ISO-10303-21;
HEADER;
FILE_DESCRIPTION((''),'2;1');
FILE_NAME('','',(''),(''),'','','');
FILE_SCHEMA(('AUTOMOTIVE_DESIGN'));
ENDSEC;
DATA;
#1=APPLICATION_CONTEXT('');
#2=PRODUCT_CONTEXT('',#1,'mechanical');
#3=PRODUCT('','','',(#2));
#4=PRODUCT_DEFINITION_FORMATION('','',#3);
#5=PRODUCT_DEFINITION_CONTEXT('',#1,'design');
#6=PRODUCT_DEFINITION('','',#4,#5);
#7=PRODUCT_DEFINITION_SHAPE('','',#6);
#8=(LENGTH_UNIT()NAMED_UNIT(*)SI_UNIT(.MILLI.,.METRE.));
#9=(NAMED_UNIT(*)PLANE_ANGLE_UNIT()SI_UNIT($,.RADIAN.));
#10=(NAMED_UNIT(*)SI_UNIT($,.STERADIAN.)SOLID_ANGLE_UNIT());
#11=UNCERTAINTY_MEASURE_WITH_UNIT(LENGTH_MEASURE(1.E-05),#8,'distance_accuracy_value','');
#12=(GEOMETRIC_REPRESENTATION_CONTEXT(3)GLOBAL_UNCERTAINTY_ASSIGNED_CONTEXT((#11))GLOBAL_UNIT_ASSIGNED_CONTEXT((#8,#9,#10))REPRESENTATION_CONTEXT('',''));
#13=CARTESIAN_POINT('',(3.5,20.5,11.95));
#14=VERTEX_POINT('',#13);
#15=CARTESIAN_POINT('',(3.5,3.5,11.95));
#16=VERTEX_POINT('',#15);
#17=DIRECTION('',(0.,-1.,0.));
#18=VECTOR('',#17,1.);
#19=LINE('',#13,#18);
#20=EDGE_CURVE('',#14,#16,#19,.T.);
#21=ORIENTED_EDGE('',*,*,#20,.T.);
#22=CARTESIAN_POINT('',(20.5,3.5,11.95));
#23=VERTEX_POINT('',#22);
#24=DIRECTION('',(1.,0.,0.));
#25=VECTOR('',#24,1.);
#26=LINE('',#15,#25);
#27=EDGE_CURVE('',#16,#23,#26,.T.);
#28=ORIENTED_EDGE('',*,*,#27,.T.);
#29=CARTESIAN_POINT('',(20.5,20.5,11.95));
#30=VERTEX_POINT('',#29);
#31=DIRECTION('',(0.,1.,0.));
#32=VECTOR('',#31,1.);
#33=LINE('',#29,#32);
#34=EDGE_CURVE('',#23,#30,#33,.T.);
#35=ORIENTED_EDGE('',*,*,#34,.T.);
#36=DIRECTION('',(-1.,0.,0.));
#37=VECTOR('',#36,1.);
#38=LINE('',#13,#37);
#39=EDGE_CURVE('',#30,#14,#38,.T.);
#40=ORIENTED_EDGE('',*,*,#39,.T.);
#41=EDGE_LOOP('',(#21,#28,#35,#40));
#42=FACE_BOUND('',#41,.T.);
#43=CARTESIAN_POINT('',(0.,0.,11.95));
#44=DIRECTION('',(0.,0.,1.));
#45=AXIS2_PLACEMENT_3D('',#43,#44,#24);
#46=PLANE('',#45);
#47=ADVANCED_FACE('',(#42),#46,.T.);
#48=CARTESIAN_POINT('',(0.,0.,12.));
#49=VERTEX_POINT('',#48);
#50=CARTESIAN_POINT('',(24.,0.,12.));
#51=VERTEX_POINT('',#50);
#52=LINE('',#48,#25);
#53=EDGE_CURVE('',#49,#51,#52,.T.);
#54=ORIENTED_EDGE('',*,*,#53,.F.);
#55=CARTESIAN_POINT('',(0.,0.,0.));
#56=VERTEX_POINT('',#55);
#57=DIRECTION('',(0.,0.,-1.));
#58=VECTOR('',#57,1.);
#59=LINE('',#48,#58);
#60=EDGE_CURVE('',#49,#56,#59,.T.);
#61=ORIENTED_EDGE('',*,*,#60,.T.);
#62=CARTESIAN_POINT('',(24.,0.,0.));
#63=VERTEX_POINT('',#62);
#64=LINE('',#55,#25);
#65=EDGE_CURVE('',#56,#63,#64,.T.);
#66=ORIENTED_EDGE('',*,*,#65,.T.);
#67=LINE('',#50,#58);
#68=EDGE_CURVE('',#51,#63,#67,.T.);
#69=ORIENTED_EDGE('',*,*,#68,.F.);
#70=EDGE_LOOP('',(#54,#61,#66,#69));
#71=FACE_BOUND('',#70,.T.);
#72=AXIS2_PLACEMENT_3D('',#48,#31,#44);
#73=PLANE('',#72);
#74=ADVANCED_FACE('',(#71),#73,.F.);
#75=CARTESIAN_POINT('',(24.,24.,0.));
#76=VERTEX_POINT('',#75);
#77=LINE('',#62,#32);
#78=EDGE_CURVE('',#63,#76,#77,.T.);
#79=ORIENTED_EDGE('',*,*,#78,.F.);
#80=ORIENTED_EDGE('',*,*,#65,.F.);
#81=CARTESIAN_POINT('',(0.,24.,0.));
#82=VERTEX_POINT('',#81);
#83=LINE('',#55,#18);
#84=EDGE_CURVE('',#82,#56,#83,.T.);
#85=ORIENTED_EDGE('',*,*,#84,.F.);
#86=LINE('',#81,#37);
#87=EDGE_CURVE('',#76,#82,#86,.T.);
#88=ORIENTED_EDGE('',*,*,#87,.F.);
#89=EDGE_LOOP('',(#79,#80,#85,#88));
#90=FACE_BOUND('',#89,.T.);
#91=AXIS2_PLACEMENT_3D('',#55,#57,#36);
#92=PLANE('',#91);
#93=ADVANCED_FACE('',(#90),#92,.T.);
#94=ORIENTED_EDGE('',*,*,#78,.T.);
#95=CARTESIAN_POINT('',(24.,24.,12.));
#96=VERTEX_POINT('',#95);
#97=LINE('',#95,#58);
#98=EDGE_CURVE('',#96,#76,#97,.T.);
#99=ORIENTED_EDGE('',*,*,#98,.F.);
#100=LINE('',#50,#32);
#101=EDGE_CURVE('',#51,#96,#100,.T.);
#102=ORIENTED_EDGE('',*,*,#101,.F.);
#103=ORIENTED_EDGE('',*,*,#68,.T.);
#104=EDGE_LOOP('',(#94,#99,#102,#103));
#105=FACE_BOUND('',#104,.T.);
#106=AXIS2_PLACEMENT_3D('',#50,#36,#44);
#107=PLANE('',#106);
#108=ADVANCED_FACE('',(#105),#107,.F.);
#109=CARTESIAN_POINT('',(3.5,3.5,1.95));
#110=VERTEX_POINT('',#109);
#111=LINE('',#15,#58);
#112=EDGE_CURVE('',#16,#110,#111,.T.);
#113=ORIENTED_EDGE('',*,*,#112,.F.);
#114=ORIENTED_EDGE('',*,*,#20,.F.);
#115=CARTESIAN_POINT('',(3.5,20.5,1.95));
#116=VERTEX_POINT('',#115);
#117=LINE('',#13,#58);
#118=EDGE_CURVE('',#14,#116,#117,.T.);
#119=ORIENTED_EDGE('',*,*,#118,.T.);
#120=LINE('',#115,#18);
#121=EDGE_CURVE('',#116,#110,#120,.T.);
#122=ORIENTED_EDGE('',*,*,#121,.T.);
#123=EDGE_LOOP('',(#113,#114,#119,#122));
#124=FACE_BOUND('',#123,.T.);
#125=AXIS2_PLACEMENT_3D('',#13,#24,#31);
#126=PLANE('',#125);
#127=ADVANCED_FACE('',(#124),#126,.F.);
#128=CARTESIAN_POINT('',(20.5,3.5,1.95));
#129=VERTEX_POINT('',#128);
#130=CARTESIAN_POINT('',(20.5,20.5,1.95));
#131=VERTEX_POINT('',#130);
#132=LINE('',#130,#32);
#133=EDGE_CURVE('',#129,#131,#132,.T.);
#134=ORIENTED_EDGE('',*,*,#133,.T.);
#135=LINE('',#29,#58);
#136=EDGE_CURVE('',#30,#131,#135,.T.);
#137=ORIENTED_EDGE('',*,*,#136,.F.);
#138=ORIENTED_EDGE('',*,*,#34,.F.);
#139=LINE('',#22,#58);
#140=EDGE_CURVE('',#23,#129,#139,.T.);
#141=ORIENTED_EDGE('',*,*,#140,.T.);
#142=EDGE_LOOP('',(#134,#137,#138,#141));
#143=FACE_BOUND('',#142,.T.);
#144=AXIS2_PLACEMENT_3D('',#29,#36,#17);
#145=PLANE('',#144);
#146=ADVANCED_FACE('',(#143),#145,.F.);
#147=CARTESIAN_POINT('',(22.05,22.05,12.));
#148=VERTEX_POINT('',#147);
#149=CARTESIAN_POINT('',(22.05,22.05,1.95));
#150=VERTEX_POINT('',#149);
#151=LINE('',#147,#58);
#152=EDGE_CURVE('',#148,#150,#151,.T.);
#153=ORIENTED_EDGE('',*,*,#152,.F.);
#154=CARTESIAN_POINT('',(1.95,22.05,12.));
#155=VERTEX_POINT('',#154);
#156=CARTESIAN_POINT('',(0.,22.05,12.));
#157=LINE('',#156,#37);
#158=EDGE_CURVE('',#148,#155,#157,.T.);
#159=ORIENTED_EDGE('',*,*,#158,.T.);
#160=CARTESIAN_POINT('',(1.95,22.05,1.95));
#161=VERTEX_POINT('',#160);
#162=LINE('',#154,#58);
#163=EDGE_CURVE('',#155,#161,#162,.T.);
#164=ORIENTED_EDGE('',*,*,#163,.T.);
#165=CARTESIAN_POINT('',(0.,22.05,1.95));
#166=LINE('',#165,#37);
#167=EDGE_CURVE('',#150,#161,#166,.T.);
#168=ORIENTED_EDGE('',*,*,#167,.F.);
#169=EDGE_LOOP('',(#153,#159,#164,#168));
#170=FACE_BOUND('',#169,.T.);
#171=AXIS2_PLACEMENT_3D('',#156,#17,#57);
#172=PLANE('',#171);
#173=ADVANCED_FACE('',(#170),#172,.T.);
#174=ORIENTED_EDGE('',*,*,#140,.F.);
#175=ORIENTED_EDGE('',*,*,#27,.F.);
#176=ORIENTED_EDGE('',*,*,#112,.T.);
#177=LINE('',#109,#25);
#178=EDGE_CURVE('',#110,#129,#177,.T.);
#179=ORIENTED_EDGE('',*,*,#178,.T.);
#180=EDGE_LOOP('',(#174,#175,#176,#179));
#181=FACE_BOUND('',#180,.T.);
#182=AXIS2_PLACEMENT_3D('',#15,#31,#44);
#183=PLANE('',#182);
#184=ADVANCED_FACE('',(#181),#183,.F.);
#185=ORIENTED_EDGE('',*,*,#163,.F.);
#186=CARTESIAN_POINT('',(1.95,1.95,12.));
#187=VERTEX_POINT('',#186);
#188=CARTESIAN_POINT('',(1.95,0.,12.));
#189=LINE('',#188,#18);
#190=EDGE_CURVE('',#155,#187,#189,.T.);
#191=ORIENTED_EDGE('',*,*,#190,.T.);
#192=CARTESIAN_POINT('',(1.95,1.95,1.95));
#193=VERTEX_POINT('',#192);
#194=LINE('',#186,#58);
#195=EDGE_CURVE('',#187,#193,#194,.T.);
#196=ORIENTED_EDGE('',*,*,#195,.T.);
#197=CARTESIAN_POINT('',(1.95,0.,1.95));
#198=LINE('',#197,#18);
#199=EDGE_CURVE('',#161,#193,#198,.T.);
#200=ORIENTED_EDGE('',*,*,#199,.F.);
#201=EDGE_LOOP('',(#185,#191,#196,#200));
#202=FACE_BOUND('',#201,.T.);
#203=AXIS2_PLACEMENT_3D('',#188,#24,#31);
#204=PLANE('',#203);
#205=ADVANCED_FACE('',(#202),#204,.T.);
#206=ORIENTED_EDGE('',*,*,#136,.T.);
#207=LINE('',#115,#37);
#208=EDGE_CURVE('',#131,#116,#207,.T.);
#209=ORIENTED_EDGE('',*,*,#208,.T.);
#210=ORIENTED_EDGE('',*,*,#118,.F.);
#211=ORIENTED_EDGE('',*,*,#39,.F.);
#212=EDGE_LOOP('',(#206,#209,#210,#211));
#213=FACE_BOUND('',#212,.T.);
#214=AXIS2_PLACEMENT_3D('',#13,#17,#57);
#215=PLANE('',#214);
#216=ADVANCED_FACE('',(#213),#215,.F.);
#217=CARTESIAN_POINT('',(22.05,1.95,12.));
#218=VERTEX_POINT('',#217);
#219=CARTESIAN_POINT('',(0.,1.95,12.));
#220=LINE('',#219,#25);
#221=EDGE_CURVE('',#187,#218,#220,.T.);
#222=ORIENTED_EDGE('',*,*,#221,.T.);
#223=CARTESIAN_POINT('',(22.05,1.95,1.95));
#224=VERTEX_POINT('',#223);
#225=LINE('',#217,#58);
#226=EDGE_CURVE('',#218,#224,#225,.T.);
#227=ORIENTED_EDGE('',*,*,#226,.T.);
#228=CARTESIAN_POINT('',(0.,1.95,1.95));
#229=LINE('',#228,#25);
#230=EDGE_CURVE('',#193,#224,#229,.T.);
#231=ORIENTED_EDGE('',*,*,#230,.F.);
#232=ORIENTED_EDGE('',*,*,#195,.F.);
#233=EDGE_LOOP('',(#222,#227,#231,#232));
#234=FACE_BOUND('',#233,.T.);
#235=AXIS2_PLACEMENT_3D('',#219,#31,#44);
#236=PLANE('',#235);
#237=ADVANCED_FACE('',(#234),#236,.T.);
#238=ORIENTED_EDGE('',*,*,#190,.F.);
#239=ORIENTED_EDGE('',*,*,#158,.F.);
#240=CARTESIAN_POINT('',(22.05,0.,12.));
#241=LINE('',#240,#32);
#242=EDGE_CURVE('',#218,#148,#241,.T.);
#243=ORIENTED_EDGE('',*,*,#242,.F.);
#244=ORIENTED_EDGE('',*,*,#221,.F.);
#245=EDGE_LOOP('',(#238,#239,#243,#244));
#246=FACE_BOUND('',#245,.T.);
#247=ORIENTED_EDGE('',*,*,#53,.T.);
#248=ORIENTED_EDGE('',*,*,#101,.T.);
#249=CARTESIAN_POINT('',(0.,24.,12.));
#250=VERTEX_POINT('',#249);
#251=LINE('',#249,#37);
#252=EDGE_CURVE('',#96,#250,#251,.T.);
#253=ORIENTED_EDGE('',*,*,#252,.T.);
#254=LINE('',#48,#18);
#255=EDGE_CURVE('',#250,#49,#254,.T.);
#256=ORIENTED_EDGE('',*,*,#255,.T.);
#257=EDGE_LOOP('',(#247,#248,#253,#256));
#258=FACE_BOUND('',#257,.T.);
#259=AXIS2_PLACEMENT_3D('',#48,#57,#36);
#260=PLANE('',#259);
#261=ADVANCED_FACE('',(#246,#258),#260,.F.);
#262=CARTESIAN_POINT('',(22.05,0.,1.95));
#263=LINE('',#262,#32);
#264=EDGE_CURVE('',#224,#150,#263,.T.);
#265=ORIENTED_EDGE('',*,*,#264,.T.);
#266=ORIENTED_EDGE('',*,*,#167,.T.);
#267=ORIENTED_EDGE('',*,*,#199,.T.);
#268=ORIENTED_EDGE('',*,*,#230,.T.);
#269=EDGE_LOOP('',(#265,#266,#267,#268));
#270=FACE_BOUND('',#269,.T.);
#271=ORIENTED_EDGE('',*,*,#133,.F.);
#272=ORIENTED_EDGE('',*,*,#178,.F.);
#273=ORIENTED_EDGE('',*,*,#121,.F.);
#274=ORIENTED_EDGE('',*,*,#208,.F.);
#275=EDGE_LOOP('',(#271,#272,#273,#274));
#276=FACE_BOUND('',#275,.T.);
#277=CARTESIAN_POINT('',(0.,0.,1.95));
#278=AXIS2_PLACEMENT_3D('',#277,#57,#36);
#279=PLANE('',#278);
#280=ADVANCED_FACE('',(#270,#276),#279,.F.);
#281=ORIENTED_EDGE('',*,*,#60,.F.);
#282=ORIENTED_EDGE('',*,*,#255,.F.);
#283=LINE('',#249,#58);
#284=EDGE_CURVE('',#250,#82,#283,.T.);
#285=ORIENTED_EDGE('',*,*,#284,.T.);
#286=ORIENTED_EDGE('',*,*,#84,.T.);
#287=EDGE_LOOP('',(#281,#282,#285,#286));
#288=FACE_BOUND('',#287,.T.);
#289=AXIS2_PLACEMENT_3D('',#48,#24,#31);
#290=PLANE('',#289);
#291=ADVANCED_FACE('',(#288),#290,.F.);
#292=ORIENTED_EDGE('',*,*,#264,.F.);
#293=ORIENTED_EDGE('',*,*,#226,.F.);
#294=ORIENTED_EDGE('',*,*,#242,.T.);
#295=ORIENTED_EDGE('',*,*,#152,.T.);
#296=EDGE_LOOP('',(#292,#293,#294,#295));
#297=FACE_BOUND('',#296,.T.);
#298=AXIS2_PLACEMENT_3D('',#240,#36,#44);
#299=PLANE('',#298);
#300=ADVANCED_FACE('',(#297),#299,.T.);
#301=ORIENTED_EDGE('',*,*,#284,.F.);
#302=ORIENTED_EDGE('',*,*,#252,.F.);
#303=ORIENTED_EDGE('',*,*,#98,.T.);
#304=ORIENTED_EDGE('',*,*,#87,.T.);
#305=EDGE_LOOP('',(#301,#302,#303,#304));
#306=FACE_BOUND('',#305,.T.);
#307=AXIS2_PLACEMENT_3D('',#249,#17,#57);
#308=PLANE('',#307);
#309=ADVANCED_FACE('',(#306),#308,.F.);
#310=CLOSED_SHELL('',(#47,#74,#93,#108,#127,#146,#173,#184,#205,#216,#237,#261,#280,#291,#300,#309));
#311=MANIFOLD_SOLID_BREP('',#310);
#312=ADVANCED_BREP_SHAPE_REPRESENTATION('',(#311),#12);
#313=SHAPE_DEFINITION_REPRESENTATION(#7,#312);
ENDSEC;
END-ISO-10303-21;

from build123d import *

# Parameters (mm, degrees)
SKETCH_1_W      = 24
SKETCH_1_H      = 24
EXTRUDE_5_DEPTH = 12
SHELL_2_T       = -1.95
SKETCH_5_W      = 17
SKETCH_5_H      = 17
EXTRUDE_6_DEPTH = 10


with BuildPart() as part:
    # ｽｹｯﾁ1 → ﾎﾞｽ - 押し出し5 (new body)
    with BuildSketch(Plane.XY):
        with Locations((12, 12)):
            Rectangle(SKETCH_1_W, SKETCH_1_H)
    extrude(amount=EXTRUDE_5_DEPTH)

    # ｼｪﾙ2
    shell_2_openings = [part.faces().sort_by_distance(p)[0] for p in [
        (12, 12, 12),
    ]]
    offset(amount=SHELL_2_T, openings=shell_2_openings, kind=Kind.INTERSECTION)

    # ｽｹｯﾁ5 → ﾎﾞｽ - 押し出し6 (add)
    with BuildSketch(Plane.XY.offset(1.95)):
        with Locations((12, 12)):
            Rectangle(SKETCH_5_W, SKETCH_5_H)
    extrude(amount=EXTRUDE_6_DEPTH)


solid = part.part
